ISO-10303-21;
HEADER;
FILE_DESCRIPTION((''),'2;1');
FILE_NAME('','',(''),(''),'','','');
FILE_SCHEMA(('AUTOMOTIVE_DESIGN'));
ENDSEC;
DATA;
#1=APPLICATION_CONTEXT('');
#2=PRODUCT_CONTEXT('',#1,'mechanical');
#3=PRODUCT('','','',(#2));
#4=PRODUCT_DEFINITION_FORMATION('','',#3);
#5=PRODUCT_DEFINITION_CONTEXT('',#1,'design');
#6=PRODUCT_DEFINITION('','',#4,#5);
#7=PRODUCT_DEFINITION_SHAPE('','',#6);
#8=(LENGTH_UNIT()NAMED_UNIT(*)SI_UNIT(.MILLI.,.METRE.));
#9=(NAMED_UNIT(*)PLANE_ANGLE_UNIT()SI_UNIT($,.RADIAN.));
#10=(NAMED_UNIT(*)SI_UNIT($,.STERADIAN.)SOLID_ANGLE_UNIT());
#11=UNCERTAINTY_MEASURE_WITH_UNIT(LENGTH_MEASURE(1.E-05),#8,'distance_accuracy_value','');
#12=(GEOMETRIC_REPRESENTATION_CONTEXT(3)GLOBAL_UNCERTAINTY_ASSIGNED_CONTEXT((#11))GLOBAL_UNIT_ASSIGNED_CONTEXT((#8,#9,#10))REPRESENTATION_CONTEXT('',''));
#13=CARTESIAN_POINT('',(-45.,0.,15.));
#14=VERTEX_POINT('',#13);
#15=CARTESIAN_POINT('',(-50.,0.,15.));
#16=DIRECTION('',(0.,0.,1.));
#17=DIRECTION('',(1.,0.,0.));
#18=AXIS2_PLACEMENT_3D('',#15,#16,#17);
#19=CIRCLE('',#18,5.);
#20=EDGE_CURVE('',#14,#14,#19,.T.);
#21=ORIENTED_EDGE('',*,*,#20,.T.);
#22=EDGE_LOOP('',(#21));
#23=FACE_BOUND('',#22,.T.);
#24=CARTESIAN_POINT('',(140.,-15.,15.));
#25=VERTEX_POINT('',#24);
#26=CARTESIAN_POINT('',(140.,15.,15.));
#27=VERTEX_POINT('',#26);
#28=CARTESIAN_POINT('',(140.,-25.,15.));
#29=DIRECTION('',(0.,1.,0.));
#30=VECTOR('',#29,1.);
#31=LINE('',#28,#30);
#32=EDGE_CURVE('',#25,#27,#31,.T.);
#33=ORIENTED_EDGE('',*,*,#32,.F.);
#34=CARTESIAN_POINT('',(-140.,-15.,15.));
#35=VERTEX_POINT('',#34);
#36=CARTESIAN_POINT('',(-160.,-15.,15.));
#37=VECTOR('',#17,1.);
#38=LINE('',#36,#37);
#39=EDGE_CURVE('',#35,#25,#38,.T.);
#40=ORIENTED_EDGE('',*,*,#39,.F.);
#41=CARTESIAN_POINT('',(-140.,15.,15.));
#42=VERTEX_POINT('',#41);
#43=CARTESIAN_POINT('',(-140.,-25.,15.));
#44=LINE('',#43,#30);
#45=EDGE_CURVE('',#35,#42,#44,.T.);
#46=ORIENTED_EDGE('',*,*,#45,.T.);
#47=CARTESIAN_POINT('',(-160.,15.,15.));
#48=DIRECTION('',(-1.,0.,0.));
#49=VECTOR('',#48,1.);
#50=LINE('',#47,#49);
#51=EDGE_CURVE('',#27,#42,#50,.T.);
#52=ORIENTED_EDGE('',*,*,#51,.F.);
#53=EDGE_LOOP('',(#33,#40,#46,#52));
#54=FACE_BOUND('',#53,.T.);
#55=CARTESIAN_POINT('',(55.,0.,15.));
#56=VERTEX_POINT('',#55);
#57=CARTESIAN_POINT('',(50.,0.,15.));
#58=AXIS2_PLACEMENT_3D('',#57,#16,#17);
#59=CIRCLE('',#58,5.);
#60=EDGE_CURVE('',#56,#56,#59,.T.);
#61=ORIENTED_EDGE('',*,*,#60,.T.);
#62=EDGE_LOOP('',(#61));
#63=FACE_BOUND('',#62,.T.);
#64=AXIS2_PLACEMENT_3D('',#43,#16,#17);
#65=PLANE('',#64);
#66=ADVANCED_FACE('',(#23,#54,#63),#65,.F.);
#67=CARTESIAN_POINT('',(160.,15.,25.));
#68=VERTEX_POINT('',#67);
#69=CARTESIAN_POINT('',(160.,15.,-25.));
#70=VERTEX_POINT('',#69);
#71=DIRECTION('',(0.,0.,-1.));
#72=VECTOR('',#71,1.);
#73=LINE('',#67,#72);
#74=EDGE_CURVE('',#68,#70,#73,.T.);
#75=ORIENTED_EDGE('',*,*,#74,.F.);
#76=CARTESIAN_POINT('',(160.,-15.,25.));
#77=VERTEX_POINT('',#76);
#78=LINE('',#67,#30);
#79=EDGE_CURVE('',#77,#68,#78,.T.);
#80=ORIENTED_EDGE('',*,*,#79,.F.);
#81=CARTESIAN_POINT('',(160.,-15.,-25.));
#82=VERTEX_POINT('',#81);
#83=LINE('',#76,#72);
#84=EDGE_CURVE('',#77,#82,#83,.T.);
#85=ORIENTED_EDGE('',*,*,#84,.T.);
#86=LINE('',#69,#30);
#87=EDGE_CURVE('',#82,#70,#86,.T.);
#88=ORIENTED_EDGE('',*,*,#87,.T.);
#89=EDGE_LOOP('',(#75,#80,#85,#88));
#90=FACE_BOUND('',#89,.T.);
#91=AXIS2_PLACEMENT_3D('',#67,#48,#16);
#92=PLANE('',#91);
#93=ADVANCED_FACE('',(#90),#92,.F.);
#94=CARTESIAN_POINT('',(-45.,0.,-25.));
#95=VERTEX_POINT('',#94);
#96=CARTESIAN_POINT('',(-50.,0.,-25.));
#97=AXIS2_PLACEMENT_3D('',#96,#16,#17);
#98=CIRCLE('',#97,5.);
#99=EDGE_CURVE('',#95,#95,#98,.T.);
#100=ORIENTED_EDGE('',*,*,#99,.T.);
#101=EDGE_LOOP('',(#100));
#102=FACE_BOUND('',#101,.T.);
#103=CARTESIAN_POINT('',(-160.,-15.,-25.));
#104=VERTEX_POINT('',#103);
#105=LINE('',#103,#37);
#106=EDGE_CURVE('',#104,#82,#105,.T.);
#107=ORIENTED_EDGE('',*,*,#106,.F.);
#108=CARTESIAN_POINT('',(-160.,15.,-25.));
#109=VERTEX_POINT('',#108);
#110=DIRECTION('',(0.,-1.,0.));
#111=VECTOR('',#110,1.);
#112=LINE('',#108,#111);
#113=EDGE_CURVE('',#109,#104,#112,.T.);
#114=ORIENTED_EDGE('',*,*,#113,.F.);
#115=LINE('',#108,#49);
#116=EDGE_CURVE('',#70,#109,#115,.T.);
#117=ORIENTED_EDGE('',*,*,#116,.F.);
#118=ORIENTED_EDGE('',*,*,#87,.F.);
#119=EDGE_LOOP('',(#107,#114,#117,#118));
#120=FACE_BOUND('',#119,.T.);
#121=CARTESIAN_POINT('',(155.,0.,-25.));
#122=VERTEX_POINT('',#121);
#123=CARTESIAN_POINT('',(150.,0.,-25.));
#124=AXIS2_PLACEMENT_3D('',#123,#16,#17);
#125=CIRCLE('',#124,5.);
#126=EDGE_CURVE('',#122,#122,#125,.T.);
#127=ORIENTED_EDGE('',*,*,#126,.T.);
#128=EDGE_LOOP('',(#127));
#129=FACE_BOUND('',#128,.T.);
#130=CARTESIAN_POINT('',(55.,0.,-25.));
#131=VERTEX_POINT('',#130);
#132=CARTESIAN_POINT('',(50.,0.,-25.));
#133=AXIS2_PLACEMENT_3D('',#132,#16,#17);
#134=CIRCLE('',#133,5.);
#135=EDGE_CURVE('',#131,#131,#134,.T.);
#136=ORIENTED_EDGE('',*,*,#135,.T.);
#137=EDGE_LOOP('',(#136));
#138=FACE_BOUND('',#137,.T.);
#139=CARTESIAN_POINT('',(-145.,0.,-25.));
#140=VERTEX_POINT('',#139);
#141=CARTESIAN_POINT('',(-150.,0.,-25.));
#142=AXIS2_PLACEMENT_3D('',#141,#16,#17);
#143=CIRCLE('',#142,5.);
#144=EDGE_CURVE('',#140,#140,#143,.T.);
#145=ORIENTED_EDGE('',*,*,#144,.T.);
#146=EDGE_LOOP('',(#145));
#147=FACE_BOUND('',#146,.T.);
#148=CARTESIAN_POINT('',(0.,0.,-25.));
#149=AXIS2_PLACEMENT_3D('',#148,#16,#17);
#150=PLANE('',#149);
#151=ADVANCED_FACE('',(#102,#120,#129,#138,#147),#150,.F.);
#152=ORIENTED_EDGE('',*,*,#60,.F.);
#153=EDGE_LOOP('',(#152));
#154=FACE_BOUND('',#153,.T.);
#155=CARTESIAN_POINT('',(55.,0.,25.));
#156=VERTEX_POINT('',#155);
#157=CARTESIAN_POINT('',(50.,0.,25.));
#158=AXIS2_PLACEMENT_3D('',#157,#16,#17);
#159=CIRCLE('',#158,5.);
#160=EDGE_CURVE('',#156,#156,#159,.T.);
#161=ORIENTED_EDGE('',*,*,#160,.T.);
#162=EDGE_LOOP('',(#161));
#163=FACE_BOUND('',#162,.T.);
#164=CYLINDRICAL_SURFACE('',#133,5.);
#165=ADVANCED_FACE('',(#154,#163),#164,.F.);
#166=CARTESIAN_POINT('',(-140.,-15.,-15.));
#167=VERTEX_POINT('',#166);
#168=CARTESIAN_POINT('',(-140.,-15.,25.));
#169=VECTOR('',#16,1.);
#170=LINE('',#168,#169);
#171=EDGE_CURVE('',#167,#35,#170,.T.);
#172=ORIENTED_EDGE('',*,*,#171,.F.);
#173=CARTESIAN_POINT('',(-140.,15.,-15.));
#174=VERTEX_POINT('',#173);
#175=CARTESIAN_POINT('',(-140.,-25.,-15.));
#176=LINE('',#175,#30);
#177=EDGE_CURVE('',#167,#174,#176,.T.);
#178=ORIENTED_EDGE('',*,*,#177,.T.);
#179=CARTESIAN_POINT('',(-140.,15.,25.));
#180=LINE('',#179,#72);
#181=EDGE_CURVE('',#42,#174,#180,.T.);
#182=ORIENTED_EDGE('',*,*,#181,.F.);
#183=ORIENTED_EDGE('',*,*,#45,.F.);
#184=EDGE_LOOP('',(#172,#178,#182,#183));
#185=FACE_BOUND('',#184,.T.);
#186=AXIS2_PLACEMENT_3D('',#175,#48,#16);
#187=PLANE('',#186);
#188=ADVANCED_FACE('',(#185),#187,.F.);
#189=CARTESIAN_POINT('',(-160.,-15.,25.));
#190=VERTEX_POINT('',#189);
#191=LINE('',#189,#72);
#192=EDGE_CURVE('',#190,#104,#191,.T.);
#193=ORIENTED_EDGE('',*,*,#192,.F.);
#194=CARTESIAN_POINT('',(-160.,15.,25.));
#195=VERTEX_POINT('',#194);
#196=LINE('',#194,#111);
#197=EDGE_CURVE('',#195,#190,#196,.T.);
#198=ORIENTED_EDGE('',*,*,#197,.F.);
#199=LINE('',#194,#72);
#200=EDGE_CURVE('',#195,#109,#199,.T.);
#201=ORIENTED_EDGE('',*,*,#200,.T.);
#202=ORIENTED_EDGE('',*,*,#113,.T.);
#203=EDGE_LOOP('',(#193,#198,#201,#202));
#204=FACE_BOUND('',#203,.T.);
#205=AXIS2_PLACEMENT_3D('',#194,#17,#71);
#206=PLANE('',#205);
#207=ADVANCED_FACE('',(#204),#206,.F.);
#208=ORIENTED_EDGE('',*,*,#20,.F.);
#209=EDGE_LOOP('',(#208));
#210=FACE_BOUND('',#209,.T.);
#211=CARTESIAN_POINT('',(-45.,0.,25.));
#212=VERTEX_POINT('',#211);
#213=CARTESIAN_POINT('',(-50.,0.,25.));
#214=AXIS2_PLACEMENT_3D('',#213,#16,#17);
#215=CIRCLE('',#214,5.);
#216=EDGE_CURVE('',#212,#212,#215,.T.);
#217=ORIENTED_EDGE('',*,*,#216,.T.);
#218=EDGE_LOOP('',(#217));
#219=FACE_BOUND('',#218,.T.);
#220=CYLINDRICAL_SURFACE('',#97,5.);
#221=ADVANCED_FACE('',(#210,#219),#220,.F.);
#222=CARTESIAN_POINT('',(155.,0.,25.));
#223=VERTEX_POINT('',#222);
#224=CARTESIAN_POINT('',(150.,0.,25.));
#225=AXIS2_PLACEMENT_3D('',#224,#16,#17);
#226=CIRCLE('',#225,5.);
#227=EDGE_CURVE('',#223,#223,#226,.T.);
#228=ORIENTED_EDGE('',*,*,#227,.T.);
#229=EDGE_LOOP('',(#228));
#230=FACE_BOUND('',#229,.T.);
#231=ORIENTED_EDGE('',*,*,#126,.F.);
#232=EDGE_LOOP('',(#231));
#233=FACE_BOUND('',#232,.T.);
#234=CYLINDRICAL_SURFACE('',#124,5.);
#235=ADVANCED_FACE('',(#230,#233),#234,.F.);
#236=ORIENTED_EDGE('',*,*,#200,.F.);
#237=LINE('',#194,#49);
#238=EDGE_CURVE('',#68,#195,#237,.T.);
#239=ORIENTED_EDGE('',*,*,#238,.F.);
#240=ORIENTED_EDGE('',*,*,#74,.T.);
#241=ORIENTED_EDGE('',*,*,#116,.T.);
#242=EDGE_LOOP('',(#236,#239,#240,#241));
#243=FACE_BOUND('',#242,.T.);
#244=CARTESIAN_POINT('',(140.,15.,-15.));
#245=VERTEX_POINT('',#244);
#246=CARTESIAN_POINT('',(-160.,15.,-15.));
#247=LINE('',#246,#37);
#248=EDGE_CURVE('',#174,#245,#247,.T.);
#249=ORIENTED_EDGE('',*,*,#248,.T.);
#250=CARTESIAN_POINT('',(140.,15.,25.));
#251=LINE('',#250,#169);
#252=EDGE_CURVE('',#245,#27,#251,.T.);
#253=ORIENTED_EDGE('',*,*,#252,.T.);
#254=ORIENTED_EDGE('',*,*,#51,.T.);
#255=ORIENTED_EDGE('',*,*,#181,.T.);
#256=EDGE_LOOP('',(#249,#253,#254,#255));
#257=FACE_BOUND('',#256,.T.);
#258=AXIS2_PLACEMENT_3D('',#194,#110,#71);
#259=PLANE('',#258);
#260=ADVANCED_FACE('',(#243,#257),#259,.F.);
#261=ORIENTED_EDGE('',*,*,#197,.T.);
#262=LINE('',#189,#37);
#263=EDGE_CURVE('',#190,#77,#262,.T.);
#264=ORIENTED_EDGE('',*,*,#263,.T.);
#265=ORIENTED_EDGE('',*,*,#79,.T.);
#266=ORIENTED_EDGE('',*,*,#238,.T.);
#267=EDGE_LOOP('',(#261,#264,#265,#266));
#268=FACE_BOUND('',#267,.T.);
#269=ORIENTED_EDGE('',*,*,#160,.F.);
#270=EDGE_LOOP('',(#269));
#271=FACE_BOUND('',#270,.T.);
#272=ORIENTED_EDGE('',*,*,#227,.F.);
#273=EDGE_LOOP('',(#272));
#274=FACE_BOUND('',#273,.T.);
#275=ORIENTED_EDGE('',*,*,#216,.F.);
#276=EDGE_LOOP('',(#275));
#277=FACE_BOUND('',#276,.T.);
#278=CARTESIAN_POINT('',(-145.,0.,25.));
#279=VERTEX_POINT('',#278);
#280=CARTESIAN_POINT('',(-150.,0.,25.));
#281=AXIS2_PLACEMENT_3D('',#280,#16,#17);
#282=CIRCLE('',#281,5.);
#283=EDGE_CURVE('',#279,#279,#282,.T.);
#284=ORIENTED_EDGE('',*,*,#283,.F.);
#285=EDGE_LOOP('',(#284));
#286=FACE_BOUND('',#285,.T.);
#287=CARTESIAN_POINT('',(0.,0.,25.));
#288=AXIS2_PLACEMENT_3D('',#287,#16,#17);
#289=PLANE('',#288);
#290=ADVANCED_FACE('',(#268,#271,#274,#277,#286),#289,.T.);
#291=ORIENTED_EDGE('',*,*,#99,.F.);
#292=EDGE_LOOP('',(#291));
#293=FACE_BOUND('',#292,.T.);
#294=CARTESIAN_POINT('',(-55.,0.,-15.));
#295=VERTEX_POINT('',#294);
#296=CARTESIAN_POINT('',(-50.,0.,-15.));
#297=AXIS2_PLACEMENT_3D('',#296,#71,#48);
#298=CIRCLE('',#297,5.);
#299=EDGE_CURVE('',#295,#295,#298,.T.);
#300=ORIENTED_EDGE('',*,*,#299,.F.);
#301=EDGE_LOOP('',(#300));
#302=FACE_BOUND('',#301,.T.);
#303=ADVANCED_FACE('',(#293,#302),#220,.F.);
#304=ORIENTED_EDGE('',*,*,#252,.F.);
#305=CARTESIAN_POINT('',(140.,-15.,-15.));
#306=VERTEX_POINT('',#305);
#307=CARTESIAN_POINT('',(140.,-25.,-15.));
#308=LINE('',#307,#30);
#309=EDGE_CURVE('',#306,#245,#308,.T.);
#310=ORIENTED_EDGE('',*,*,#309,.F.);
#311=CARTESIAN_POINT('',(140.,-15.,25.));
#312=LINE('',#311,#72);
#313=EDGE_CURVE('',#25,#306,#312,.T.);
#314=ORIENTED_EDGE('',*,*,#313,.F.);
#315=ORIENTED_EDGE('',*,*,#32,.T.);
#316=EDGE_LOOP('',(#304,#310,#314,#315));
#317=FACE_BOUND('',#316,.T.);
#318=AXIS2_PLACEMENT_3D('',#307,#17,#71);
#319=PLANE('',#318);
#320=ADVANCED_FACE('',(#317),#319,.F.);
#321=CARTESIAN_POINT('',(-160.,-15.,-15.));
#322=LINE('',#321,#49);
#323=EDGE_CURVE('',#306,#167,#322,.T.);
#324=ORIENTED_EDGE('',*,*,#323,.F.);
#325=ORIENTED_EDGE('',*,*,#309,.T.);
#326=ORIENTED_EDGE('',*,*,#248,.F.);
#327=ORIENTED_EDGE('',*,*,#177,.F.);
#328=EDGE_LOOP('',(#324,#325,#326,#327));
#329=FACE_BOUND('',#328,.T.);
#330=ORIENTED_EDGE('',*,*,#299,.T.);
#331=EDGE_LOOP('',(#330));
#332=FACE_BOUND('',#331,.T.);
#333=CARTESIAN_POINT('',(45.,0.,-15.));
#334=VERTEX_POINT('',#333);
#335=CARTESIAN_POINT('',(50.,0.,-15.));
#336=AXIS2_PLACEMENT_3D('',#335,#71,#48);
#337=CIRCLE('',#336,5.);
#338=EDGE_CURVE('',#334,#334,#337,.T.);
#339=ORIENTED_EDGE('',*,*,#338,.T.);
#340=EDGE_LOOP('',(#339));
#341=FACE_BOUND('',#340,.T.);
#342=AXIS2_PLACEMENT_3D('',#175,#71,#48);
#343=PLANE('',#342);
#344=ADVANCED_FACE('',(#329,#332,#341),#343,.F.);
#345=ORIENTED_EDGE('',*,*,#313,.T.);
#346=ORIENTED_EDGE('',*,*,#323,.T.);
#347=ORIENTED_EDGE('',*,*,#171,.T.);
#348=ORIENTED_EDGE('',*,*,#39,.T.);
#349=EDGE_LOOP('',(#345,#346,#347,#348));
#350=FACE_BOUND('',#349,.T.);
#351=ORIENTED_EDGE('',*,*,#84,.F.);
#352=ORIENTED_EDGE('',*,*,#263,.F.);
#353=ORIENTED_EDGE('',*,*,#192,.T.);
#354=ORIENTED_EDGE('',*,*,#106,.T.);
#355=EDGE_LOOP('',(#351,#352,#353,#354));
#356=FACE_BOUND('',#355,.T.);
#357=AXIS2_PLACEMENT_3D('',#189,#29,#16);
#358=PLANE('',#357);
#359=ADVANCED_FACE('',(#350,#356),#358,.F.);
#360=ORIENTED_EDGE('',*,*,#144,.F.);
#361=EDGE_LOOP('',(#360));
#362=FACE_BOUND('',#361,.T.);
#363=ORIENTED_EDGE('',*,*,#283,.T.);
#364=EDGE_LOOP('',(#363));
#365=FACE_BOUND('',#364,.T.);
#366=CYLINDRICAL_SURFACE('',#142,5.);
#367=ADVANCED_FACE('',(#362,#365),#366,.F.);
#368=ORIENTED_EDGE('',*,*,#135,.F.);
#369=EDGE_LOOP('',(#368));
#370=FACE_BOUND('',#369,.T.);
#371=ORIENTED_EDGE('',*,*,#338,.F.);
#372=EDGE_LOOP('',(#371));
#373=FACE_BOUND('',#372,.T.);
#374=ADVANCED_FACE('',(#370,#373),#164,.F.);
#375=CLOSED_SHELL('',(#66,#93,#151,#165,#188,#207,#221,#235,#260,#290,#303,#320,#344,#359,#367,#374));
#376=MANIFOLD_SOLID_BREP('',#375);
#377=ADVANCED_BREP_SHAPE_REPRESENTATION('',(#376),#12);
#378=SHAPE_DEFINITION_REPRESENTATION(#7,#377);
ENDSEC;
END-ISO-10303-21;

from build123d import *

# Parameters (mm, degrees)
SKETCH1_W               = 320
SKETCH1_H               = 30
BOSS_EXTRUDE1_DEPTH     = 25
SKETCH2_W               = 280
SKETCH2_H               = 30
CUT_EXTRUDE1_DEPTH      = 25
CUT_EXTRUDE3_DEPTH      = 163.634559673
CUT_EXTRUDE3_DEPTH_BACK = 163.634559673
SKETCH3_R               = 5


with BuildPart() as part:
    # Sketch1 → Boss-Extrude1 (new, symmetric)
    with BuildSketch(Plane.XY):
        Rectangle(SKETCH1_W, SKETCH1_H)
    extrude(amount=BOSS_EXTRUDE1_DEPTH, both=True)

    # Sketch2 → Cut-Extrude1 (cut, symmetric)
    with BuildSketch(Plane(origin=(0, 0, 0), x_dir=(1, 0, 0), z_dir=(0, 1, 0))):
        Rectangle(SKETCH2_W, SKETCH2_H)
    extrude(amount=CUT_EXTRUDE1_DEPTH, both=True, mode=Mode.SUBTRACT)

    # Sketch3 → Cut-Extrude3 (cut, two sides: drawn at the far end of the back side and taken through both)
    with BuildSketch(Plane.XY.offset(-CUT_EXTRUDE3_DEPTH_BACK)):
        with Locations((-150, 0)):
            Circle(SKETCH3_R)
        with Locations((150, 0)):
            Circle(SKETCH3_R)
        with Locations((-50, 0)):
            Circle(SKETCH3_R)
        with Locations((50, 0)):
            Circle(SKETCH3_R)
    extrude(amount=CUT_EXTRUDE3_DEPTH + CUT_EXTRUDE3_DEPTH_BACK, mode=Mode.SUBTRACT)


solid = part.part
